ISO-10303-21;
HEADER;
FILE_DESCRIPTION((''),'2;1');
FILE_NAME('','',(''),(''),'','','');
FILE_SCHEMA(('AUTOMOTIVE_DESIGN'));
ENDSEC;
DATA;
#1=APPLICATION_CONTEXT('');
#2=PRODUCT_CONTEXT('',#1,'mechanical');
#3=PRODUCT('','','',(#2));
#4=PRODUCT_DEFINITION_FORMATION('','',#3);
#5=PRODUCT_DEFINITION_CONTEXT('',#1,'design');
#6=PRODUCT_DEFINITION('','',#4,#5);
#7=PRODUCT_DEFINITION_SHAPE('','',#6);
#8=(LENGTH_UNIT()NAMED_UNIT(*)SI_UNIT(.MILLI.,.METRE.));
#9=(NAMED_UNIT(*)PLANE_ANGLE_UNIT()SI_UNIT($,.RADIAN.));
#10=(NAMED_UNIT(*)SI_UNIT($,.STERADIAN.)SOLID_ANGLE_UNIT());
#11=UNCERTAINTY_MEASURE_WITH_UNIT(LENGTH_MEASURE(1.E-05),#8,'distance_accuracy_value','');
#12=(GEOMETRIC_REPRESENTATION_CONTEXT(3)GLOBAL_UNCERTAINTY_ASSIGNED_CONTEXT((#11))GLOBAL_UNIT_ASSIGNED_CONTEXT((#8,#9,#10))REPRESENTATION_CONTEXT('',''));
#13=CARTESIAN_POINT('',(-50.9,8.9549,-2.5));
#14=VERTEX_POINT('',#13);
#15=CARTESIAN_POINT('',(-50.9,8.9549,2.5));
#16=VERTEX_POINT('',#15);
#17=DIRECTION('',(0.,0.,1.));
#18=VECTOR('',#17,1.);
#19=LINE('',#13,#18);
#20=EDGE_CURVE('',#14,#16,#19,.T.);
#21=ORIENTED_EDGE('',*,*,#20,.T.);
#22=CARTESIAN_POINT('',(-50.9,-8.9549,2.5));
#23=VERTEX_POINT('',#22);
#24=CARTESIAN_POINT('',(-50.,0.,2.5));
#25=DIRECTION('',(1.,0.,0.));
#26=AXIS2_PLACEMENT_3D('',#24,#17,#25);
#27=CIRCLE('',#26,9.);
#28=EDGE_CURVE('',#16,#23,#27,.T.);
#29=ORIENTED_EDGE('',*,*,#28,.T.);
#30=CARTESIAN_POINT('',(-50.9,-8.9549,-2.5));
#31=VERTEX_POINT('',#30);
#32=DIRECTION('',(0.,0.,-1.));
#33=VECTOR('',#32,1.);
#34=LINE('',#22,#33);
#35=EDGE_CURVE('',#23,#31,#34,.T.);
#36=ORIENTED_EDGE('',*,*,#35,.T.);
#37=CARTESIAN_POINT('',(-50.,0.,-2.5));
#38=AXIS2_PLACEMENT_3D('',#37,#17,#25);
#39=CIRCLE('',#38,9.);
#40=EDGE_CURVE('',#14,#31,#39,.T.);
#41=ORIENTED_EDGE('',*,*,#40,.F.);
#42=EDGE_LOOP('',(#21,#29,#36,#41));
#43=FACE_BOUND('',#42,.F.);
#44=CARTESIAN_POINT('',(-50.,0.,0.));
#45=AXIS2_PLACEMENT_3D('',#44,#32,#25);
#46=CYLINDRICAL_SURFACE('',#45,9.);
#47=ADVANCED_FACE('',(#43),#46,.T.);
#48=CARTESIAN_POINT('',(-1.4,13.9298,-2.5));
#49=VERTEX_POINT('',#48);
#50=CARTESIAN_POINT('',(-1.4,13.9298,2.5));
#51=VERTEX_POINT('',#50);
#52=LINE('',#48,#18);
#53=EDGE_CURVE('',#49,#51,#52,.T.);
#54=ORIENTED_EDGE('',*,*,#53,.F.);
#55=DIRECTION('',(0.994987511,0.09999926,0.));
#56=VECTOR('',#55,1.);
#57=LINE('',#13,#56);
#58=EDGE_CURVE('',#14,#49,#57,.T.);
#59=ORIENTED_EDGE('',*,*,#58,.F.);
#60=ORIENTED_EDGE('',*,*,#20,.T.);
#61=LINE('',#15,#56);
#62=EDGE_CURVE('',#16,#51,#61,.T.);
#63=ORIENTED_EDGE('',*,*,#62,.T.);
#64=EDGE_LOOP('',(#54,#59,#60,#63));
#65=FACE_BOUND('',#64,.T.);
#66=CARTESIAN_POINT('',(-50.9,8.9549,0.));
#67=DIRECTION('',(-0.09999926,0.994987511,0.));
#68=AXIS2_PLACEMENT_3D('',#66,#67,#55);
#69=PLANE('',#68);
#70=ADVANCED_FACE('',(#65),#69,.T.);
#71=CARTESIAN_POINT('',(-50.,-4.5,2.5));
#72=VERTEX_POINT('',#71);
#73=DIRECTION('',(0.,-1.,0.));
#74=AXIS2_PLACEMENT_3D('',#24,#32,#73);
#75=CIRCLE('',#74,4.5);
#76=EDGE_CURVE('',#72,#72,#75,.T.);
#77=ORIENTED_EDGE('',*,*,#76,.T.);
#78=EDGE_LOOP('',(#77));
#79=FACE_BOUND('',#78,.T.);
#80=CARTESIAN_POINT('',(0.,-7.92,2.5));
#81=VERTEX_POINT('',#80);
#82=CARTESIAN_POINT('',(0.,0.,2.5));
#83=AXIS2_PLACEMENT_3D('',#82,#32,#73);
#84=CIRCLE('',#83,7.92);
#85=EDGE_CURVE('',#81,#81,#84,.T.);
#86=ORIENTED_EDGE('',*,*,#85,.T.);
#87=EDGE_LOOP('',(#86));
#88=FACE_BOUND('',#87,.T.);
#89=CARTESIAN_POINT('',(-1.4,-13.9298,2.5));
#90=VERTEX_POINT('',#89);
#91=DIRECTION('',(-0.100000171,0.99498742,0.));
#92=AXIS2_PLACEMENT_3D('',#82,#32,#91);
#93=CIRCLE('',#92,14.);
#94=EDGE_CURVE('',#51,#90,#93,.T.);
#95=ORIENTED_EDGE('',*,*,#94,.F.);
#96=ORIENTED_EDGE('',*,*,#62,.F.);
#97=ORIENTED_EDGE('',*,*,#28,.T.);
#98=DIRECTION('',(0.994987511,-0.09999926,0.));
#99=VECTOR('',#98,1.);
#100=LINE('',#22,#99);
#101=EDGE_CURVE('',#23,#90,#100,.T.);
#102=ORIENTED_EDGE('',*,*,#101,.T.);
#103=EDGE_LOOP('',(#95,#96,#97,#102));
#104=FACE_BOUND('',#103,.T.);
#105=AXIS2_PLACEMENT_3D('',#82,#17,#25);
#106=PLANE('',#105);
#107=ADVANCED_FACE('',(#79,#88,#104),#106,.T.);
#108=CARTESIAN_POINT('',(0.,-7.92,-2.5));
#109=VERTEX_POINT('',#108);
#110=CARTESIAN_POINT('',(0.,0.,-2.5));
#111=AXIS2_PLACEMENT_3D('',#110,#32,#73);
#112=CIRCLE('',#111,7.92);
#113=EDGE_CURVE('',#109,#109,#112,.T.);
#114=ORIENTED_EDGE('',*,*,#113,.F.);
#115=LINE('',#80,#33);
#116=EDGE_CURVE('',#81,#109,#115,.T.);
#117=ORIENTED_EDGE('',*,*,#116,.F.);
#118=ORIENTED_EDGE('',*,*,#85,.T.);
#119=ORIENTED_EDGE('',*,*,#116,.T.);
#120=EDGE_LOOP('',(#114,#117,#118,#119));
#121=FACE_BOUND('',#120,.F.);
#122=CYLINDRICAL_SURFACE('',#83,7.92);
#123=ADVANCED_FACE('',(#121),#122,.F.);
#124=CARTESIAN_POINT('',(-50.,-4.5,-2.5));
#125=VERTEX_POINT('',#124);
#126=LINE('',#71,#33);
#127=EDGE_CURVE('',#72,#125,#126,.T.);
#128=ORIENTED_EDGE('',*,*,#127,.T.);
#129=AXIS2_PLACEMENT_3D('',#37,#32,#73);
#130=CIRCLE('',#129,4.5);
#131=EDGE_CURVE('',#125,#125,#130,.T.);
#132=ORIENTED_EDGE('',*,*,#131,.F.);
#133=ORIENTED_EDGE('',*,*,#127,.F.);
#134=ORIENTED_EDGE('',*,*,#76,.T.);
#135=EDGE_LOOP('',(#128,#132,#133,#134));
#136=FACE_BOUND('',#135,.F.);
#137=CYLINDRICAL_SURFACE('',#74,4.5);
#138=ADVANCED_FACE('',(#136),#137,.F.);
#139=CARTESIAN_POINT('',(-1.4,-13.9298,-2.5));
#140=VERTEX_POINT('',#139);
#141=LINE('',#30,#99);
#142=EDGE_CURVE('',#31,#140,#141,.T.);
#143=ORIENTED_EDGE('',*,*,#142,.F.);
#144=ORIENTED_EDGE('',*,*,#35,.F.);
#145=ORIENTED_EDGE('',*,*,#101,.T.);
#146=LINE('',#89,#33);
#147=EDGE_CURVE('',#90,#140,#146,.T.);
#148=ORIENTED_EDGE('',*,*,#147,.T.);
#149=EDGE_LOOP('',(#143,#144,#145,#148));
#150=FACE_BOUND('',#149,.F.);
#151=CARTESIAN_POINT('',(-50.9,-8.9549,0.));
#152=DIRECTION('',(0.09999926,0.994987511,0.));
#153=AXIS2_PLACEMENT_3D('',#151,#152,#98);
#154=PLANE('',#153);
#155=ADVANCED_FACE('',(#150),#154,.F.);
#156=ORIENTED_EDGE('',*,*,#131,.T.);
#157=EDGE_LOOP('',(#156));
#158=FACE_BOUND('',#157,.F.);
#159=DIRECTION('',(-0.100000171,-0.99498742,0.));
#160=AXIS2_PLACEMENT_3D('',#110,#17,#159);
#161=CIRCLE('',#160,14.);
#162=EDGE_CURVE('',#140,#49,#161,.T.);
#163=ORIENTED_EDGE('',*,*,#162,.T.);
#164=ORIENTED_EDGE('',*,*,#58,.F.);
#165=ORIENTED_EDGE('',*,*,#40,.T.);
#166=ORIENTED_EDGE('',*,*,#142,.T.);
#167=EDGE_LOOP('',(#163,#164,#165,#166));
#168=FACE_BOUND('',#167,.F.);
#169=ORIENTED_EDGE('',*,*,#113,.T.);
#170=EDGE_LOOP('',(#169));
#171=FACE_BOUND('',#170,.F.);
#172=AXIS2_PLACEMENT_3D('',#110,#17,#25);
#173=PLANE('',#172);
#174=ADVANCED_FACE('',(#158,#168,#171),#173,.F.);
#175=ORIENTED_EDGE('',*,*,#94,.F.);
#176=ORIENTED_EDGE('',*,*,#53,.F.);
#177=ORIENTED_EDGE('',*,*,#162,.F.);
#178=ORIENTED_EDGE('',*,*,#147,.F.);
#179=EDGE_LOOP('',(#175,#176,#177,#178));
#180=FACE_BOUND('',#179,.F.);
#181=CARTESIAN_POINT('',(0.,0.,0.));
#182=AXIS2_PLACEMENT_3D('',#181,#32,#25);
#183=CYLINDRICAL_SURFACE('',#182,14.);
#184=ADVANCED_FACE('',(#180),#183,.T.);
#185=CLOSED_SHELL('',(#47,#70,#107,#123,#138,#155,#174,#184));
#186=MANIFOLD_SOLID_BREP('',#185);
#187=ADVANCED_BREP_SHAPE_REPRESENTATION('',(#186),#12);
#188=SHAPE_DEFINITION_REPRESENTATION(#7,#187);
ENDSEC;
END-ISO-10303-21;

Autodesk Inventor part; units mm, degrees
ref_plane "YZ Plane" through (0, 0, 0) normal (1, 0, 0) x (0, 1, 0)
ref_plane "XZ Plane" through (0, 0, 0) normal (0, 1, 0) x (-1, 0, 0)
sketch "Sketch1" plane through (0, 0, 0) normal (0, 0, 1) x (1, 0, 0)
  circle A0 centre (0, 0) radius 14
  line L0 (0, 0) -> (-50, 0) construction
  circle A1 centre (-50, 0) radius 9
  line L1 (-50.9, 8.9549) -> (-1.4, 13.9298)
  line L2 (-50.9, -8.9549) -> (-1.4, -13.9298)
  point P0 (0, 0)
  dimension "d0" = 18
  dimension "d1" = 28
  dimension "d2" = 50
extrude "Extrusion1" add sketch "Sketch1" along normal mid plane 5
sketch "Sketch2" plane through (0, 0, 2.5) normal (0, 0, 1) x (1, 0, 0)
  arc A0 (-1.4, -13.9298) -> (-1.4, 13.9298) centre (0, 0) ccw projected
hole "Hole1" at (0, 0, 2.5) direction (0, 0, -1) diameter 15.84 end through all
sketch "Sketch3" plane through (0, 0, 2.5) normal (0, 0, 1) x (1, 0, 0)
  arc A0 (-50.9, 8.9549) -> (-50.9, -8.9549) centre (-50, 0) ccw projected
hole "Hole2" at (-50, 0, 2.5) direction (0, 0, -1) diameter 9 end through all
properties part number "201-01" material "Steel"
